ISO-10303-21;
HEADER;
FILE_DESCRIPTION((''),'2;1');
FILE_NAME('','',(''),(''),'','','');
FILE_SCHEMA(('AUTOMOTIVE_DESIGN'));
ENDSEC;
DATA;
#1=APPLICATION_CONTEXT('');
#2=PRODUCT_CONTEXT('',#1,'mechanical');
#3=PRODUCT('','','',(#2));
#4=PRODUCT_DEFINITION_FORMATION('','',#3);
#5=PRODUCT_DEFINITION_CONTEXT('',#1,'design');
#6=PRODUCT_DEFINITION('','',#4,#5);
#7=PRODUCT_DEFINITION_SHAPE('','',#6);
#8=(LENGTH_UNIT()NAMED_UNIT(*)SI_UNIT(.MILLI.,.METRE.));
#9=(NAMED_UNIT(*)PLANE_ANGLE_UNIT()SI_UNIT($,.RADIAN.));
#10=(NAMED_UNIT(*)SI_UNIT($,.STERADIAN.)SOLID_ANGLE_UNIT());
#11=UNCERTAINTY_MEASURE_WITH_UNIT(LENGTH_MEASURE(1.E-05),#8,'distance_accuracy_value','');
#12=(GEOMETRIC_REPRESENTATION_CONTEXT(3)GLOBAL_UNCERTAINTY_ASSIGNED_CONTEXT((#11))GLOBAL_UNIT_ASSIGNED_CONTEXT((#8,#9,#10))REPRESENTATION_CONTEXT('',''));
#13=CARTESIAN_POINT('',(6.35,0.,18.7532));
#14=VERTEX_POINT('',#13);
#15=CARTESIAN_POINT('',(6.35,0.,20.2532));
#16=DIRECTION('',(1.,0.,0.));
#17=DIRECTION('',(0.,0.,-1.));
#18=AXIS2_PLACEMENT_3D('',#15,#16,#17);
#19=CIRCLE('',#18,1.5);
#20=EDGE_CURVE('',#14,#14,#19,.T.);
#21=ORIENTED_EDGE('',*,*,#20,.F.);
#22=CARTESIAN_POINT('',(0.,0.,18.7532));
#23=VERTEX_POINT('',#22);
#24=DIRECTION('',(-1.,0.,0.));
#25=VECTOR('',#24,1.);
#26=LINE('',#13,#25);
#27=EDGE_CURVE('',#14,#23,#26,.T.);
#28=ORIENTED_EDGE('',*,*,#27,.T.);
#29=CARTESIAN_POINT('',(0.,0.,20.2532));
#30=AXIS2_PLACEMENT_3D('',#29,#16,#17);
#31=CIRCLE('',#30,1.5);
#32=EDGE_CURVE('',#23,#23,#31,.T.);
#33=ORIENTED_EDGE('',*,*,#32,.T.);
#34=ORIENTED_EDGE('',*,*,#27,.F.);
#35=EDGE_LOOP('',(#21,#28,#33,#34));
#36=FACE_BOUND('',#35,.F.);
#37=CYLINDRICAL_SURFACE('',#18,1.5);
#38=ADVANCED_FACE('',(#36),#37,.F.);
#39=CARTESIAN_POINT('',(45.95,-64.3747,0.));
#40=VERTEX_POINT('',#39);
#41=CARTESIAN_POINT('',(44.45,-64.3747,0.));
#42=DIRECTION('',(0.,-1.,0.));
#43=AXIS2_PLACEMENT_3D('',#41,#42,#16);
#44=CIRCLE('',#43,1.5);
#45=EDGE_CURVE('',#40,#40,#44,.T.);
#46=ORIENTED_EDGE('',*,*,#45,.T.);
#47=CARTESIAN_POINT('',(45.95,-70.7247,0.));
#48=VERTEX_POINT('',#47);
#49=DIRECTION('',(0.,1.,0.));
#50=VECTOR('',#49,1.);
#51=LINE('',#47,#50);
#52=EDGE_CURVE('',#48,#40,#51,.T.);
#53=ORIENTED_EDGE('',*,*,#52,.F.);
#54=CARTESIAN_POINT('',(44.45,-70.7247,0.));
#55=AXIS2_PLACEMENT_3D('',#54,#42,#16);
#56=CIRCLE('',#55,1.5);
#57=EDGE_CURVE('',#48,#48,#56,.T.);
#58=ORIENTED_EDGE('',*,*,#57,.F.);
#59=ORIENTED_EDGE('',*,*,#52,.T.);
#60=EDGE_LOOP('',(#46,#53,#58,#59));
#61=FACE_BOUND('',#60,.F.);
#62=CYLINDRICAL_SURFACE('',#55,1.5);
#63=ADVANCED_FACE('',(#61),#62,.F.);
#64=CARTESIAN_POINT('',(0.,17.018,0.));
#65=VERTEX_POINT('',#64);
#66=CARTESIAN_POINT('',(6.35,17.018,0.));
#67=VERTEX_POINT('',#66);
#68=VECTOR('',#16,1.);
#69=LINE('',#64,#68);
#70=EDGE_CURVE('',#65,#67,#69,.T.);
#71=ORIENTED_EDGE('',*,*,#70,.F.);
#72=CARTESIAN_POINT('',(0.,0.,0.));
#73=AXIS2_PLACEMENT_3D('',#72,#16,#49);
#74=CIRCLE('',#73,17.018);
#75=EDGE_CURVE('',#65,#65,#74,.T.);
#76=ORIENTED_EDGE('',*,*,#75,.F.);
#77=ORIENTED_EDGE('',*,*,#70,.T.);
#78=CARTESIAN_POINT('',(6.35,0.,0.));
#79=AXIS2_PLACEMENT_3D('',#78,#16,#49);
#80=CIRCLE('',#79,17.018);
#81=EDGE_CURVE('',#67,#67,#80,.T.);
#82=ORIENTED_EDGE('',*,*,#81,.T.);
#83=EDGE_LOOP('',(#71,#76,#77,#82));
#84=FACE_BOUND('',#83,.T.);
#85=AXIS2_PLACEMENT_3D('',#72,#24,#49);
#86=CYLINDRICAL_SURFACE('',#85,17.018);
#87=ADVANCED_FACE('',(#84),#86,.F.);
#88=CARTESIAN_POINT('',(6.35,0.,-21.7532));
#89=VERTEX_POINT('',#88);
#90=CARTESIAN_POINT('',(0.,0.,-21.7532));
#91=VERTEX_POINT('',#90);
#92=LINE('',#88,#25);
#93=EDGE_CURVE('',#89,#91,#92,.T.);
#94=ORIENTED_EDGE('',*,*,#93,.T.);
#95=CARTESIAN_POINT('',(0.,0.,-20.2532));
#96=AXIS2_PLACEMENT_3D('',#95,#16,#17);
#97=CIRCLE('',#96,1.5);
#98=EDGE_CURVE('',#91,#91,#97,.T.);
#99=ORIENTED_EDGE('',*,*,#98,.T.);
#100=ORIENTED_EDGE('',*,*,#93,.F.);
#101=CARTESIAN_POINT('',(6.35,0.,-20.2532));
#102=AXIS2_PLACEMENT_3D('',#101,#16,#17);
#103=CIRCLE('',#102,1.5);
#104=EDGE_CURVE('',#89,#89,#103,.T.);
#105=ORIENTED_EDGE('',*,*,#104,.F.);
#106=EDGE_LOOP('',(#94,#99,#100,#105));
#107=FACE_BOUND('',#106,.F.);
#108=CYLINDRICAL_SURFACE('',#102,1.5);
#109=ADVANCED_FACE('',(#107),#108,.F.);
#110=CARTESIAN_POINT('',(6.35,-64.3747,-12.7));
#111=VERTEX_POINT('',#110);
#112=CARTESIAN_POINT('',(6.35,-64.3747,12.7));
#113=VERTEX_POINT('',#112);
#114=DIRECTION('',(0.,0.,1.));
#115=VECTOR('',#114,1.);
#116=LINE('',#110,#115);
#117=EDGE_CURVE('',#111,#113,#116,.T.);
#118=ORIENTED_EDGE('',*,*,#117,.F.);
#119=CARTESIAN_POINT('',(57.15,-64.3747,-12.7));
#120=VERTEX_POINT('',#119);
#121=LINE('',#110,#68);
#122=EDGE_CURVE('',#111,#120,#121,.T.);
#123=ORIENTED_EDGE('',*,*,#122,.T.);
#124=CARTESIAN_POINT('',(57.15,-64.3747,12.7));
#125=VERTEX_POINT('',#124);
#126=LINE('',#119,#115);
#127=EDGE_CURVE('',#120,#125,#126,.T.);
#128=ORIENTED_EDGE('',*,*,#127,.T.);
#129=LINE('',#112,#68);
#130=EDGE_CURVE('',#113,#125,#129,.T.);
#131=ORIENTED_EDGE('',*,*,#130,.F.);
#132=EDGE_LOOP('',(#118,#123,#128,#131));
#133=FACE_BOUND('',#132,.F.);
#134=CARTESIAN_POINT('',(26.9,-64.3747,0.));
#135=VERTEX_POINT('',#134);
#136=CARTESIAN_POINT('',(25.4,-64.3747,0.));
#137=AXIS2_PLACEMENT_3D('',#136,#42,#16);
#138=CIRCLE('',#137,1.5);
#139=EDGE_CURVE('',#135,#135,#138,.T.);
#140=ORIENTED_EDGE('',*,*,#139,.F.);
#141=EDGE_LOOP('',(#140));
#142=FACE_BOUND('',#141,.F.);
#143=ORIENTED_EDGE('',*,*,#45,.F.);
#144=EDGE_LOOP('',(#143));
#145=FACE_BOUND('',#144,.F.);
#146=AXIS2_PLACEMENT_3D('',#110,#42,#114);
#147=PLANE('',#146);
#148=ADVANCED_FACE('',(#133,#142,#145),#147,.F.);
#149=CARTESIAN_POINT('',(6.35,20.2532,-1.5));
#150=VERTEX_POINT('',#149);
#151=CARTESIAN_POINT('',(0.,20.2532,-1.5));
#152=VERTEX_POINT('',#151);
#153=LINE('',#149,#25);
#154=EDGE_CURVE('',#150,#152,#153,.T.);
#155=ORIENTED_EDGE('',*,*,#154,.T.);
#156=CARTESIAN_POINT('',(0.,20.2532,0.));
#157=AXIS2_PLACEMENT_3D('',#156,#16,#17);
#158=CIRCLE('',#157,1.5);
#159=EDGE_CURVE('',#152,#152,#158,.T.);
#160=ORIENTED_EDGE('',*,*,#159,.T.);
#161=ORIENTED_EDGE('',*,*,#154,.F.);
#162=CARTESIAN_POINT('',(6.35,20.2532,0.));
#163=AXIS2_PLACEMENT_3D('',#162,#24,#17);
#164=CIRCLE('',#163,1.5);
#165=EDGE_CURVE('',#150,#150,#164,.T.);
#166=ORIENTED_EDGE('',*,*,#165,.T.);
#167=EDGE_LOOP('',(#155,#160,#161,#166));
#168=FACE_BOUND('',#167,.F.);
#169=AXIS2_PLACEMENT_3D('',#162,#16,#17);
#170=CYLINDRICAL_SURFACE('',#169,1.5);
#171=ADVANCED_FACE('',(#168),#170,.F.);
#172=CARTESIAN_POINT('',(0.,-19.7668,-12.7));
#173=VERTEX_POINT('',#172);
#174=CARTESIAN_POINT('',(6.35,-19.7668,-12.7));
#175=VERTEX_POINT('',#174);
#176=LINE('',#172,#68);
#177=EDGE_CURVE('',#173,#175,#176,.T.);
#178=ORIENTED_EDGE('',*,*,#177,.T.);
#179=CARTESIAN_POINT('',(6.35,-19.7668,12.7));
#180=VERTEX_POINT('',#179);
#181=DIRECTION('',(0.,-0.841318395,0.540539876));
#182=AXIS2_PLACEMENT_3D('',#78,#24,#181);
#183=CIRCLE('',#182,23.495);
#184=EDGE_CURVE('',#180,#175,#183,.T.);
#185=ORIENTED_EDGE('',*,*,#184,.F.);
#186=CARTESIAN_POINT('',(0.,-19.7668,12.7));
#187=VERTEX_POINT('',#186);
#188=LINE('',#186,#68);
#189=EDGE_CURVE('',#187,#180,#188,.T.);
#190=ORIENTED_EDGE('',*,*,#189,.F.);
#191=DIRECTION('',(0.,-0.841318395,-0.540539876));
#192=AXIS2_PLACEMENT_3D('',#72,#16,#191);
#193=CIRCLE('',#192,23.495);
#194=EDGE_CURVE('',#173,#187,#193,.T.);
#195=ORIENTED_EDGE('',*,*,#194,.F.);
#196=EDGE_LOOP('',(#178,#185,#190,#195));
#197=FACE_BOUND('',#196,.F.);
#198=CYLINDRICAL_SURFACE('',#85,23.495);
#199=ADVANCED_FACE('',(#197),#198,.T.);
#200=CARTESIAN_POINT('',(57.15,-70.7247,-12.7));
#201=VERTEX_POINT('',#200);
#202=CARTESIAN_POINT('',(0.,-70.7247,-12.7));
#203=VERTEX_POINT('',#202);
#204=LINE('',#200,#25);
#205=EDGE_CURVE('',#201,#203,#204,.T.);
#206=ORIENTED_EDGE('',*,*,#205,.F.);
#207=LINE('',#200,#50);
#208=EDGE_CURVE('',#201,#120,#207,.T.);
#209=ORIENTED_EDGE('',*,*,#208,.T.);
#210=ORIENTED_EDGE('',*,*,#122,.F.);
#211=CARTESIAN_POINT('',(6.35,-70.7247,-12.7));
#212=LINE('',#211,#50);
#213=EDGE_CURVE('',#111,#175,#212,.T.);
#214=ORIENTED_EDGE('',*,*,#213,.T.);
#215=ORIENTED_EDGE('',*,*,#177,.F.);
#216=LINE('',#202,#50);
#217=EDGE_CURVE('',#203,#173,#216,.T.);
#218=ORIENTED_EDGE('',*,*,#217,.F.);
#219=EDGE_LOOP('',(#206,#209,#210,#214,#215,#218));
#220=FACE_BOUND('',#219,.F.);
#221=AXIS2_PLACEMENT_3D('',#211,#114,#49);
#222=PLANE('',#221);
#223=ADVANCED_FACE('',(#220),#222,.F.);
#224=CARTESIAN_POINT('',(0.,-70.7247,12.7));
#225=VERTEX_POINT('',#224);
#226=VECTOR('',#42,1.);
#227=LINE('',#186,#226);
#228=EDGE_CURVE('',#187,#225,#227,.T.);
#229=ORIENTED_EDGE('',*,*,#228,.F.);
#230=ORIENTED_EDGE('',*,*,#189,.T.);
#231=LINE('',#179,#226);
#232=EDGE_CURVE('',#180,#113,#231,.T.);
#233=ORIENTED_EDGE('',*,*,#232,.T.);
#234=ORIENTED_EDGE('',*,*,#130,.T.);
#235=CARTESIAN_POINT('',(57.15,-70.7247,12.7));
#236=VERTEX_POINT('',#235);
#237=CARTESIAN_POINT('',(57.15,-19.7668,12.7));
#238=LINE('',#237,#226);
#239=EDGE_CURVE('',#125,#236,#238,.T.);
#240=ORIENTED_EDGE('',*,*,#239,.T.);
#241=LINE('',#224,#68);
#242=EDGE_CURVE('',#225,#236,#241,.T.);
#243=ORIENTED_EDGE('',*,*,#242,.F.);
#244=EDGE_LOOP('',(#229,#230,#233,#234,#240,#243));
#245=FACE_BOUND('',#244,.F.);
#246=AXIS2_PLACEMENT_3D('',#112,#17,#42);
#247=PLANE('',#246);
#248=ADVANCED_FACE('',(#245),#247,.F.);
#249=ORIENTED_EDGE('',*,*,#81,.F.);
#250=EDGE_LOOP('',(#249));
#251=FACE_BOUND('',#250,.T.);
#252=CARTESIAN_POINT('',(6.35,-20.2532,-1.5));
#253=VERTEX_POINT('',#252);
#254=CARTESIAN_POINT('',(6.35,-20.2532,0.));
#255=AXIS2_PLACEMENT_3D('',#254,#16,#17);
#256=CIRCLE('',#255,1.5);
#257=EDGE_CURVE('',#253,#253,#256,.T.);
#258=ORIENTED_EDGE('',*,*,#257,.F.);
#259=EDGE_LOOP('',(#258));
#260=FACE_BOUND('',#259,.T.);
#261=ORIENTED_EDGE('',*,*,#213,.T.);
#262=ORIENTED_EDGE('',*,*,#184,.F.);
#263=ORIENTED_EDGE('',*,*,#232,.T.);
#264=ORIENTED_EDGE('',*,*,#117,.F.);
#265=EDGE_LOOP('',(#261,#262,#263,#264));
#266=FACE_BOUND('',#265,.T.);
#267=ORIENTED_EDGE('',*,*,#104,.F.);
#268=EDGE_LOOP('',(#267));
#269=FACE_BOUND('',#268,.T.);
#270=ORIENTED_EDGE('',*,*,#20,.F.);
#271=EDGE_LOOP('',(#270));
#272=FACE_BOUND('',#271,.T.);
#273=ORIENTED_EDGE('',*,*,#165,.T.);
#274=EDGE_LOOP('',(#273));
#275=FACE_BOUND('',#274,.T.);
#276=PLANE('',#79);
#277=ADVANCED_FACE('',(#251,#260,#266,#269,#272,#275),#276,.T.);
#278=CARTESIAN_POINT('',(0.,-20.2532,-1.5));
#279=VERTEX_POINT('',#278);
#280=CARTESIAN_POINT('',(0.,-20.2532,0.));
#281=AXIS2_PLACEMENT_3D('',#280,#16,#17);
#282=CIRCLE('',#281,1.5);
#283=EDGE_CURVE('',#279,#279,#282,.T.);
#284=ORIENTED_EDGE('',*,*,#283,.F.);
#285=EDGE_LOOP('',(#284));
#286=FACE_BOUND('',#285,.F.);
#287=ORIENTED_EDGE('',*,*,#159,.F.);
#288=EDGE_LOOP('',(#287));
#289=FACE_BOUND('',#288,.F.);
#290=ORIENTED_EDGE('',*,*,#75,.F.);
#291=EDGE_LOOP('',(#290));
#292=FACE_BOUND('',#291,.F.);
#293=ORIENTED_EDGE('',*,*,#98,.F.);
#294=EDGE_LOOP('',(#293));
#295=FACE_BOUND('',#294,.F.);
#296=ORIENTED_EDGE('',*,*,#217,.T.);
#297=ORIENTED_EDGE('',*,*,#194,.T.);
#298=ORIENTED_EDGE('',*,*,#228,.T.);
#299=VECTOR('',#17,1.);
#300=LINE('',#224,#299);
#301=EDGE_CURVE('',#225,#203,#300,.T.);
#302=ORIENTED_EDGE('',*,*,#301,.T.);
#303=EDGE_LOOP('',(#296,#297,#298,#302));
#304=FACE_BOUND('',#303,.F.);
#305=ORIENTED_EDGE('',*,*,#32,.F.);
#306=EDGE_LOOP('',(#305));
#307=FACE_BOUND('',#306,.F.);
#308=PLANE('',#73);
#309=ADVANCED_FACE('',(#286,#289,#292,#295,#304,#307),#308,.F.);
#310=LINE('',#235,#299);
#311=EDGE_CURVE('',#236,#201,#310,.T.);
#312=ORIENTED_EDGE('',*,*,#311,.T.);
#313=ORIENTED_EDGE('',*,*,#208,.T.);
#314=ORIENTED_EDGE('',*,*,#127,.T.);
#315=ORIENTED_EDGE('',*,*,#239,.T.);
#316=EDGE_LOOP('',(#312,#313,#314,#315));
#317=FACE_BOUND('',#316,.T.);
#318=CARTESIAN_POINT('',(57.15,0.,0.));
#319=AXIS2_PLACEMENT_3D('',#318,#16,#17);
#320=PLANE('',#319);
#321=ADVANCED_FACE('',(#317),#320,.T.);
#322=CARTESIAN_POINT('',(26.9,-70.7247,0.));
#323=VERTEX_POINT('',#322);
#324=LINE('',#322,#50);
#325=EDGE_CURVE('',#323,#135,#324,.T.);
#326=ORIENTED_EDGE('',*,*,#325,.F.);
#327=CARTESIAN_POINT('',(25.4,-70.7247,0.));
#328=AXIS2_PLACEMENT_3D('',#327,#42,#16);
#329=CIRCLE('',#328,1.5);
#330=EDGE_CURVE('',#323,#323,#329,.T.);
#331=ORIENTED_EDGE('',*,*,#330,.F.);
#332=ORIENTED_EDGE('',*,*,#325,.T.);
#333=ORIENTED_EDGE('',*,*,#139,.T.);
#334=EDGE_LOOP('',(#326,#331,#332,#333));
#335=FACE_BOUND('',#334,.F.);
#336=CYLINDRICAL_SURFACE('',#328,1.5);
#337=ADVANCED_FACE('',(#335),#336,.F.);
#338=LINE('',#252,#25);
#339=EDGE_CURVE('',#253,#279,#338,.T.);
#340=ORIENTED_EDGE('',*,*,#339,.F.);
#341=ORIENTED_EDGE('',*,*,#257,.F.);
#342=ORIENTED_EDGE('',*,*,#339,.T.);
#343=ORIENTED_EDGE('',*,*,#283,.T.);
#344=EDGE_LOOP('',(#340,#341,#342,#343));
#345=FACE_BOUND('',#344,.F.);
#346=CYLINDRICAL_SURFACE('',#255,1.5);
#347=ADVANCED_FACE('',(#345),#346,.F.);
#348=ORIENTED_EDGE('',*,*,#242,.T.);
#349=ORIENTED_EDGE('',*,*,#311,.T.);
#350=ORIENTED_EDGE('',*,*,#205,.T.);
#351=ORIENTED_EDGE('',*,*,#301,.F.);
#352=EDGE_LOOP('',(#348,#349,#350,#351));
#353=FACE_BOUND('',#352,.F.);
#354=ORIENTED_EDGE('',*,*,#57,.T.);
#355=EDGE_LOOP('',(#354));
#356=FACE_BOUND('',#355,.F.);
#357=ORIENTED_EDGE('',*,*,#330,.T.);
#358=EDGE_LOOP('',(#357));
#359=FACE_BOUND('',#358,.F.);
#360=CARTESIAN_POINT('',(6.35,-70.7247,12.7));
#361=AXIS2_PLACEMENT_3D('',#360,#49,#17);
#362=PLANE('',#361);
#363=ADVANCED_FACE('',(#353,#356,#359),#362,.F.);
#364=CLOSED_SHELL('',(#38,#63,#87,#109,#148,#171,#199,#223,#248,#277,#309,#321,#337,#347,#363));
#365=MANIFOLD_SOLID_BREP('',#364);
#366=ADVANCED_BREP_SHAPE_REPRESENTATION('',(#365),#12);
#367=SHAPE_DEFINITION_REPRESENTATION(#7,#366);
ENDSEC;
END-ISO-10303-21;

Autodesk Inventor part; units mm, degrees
ref_plane "YZ Plane" through (0, 0, 0) normal (1, 0, 0) x (0, 1, 0)
ref_plane "XZ Plane" through (0, 0, 0) normal (0, 1, 0) x (-1, 0, 0)
ref_plane "XY Plane" through (0, 0, 0) normal (0, 0, 1) x (1, 0, 0)
sketch "Sketch1" plane through (0, 0, 0) normal (1, 0, 0) x (0, 1, 0)
  circle A0 centre (0, 0) radius 17.018
  circle A1 centre (0, 0) radius 23.495
  line L0 (-19.7668, 12.7) -> (-70.7247, 12.7)
  line L1 (-70.7247, 12.7) -> (-70.7247, -12.7)
  line L2 (-70.7247, -12.7) -> (-19.7668, -12.7)
  dimension "d0" = 6.477
  dimension "d1" = 34.036
  dimension "d7" = 25.4
extrude "Extrusion1" add sketch "Sketch1" along normal blind 6.35
sketch "Sketch2" plane through (6.35, 0, 0) normal (1, 0, 0) x (0, 0, -1)
  line L0 (-12.7, -19.7668) -> (-12.7, -70.7247) projected
  line L1 (12.7, -70.7247) -> (12.7, -19.7668) projected
  line L2 (-12.7, -70.7247) -> (12.7, -70.7247)
  line L3 (12.7, -70.7247) -> (12.7, -64.3747)
  line L4 (12.7, -64.3747) -> (-12.7, -64.3747)
  line L5 (-12.7, -64.3747) -> (-12.7, -70.7247)
  point P0 (0, 0)
  dimension "d10" = 6.35
extrude "Extrusion2" add sketch "Sketch2" along normal blind 50.8
sketch "Sketch3" plane through (0, -70.7247, -12.7) normal (0, -1, 0) x (1, 0, 0)
  circle A0 centre (25.4, 12.7) radius 1.5
  circle A1 centre (44.45, 12.7) radius 1.5
  line L0 (0, 25.4) -> (57.15, 25.4) projected
  line L1 (57.15, 25.4) -> (57.15, 0) projected
  line L2 (0, 25.4) -> (0, 0) projected
  point P0 (0, 12.7)
  dimension "d14" = 12.7
  dimension "d15" = 12.7
  dimension "d16" = 3
  dimension "d17" = 3
  dimension "d18" = 12.7
  dimension "d19" = 25.4
extrude "Extrusion3" cut sketch "Sketch3" against normal blind 50.8
sketch "Sketch4" plane through (6.35, 0, 0) normal (1, 0, 0) x (0, 0, -1)
  line L0 (0, 23.4884) -> (0, 17.018)
  circle A0 centre (0, 0) radius 17.018 projected
  circle A1 centre (0, 20.2532) radius 1.5
  circle A2 centre (-20.2532, 0) radius 1.5
  circle A3 centre (0, -20.2532) radius 1.5
  circle A4 centre (20.2532, 0) radius 1.5
  dimension "d22" = 3
  dimension "d25" = 360
extrude "Extrusion4" cut sketch "Sketch4" against normal blind 50.8 contours A1 L0 | L0 A1 | A2 | A3 | A4
properties part number "LED Hinge"
